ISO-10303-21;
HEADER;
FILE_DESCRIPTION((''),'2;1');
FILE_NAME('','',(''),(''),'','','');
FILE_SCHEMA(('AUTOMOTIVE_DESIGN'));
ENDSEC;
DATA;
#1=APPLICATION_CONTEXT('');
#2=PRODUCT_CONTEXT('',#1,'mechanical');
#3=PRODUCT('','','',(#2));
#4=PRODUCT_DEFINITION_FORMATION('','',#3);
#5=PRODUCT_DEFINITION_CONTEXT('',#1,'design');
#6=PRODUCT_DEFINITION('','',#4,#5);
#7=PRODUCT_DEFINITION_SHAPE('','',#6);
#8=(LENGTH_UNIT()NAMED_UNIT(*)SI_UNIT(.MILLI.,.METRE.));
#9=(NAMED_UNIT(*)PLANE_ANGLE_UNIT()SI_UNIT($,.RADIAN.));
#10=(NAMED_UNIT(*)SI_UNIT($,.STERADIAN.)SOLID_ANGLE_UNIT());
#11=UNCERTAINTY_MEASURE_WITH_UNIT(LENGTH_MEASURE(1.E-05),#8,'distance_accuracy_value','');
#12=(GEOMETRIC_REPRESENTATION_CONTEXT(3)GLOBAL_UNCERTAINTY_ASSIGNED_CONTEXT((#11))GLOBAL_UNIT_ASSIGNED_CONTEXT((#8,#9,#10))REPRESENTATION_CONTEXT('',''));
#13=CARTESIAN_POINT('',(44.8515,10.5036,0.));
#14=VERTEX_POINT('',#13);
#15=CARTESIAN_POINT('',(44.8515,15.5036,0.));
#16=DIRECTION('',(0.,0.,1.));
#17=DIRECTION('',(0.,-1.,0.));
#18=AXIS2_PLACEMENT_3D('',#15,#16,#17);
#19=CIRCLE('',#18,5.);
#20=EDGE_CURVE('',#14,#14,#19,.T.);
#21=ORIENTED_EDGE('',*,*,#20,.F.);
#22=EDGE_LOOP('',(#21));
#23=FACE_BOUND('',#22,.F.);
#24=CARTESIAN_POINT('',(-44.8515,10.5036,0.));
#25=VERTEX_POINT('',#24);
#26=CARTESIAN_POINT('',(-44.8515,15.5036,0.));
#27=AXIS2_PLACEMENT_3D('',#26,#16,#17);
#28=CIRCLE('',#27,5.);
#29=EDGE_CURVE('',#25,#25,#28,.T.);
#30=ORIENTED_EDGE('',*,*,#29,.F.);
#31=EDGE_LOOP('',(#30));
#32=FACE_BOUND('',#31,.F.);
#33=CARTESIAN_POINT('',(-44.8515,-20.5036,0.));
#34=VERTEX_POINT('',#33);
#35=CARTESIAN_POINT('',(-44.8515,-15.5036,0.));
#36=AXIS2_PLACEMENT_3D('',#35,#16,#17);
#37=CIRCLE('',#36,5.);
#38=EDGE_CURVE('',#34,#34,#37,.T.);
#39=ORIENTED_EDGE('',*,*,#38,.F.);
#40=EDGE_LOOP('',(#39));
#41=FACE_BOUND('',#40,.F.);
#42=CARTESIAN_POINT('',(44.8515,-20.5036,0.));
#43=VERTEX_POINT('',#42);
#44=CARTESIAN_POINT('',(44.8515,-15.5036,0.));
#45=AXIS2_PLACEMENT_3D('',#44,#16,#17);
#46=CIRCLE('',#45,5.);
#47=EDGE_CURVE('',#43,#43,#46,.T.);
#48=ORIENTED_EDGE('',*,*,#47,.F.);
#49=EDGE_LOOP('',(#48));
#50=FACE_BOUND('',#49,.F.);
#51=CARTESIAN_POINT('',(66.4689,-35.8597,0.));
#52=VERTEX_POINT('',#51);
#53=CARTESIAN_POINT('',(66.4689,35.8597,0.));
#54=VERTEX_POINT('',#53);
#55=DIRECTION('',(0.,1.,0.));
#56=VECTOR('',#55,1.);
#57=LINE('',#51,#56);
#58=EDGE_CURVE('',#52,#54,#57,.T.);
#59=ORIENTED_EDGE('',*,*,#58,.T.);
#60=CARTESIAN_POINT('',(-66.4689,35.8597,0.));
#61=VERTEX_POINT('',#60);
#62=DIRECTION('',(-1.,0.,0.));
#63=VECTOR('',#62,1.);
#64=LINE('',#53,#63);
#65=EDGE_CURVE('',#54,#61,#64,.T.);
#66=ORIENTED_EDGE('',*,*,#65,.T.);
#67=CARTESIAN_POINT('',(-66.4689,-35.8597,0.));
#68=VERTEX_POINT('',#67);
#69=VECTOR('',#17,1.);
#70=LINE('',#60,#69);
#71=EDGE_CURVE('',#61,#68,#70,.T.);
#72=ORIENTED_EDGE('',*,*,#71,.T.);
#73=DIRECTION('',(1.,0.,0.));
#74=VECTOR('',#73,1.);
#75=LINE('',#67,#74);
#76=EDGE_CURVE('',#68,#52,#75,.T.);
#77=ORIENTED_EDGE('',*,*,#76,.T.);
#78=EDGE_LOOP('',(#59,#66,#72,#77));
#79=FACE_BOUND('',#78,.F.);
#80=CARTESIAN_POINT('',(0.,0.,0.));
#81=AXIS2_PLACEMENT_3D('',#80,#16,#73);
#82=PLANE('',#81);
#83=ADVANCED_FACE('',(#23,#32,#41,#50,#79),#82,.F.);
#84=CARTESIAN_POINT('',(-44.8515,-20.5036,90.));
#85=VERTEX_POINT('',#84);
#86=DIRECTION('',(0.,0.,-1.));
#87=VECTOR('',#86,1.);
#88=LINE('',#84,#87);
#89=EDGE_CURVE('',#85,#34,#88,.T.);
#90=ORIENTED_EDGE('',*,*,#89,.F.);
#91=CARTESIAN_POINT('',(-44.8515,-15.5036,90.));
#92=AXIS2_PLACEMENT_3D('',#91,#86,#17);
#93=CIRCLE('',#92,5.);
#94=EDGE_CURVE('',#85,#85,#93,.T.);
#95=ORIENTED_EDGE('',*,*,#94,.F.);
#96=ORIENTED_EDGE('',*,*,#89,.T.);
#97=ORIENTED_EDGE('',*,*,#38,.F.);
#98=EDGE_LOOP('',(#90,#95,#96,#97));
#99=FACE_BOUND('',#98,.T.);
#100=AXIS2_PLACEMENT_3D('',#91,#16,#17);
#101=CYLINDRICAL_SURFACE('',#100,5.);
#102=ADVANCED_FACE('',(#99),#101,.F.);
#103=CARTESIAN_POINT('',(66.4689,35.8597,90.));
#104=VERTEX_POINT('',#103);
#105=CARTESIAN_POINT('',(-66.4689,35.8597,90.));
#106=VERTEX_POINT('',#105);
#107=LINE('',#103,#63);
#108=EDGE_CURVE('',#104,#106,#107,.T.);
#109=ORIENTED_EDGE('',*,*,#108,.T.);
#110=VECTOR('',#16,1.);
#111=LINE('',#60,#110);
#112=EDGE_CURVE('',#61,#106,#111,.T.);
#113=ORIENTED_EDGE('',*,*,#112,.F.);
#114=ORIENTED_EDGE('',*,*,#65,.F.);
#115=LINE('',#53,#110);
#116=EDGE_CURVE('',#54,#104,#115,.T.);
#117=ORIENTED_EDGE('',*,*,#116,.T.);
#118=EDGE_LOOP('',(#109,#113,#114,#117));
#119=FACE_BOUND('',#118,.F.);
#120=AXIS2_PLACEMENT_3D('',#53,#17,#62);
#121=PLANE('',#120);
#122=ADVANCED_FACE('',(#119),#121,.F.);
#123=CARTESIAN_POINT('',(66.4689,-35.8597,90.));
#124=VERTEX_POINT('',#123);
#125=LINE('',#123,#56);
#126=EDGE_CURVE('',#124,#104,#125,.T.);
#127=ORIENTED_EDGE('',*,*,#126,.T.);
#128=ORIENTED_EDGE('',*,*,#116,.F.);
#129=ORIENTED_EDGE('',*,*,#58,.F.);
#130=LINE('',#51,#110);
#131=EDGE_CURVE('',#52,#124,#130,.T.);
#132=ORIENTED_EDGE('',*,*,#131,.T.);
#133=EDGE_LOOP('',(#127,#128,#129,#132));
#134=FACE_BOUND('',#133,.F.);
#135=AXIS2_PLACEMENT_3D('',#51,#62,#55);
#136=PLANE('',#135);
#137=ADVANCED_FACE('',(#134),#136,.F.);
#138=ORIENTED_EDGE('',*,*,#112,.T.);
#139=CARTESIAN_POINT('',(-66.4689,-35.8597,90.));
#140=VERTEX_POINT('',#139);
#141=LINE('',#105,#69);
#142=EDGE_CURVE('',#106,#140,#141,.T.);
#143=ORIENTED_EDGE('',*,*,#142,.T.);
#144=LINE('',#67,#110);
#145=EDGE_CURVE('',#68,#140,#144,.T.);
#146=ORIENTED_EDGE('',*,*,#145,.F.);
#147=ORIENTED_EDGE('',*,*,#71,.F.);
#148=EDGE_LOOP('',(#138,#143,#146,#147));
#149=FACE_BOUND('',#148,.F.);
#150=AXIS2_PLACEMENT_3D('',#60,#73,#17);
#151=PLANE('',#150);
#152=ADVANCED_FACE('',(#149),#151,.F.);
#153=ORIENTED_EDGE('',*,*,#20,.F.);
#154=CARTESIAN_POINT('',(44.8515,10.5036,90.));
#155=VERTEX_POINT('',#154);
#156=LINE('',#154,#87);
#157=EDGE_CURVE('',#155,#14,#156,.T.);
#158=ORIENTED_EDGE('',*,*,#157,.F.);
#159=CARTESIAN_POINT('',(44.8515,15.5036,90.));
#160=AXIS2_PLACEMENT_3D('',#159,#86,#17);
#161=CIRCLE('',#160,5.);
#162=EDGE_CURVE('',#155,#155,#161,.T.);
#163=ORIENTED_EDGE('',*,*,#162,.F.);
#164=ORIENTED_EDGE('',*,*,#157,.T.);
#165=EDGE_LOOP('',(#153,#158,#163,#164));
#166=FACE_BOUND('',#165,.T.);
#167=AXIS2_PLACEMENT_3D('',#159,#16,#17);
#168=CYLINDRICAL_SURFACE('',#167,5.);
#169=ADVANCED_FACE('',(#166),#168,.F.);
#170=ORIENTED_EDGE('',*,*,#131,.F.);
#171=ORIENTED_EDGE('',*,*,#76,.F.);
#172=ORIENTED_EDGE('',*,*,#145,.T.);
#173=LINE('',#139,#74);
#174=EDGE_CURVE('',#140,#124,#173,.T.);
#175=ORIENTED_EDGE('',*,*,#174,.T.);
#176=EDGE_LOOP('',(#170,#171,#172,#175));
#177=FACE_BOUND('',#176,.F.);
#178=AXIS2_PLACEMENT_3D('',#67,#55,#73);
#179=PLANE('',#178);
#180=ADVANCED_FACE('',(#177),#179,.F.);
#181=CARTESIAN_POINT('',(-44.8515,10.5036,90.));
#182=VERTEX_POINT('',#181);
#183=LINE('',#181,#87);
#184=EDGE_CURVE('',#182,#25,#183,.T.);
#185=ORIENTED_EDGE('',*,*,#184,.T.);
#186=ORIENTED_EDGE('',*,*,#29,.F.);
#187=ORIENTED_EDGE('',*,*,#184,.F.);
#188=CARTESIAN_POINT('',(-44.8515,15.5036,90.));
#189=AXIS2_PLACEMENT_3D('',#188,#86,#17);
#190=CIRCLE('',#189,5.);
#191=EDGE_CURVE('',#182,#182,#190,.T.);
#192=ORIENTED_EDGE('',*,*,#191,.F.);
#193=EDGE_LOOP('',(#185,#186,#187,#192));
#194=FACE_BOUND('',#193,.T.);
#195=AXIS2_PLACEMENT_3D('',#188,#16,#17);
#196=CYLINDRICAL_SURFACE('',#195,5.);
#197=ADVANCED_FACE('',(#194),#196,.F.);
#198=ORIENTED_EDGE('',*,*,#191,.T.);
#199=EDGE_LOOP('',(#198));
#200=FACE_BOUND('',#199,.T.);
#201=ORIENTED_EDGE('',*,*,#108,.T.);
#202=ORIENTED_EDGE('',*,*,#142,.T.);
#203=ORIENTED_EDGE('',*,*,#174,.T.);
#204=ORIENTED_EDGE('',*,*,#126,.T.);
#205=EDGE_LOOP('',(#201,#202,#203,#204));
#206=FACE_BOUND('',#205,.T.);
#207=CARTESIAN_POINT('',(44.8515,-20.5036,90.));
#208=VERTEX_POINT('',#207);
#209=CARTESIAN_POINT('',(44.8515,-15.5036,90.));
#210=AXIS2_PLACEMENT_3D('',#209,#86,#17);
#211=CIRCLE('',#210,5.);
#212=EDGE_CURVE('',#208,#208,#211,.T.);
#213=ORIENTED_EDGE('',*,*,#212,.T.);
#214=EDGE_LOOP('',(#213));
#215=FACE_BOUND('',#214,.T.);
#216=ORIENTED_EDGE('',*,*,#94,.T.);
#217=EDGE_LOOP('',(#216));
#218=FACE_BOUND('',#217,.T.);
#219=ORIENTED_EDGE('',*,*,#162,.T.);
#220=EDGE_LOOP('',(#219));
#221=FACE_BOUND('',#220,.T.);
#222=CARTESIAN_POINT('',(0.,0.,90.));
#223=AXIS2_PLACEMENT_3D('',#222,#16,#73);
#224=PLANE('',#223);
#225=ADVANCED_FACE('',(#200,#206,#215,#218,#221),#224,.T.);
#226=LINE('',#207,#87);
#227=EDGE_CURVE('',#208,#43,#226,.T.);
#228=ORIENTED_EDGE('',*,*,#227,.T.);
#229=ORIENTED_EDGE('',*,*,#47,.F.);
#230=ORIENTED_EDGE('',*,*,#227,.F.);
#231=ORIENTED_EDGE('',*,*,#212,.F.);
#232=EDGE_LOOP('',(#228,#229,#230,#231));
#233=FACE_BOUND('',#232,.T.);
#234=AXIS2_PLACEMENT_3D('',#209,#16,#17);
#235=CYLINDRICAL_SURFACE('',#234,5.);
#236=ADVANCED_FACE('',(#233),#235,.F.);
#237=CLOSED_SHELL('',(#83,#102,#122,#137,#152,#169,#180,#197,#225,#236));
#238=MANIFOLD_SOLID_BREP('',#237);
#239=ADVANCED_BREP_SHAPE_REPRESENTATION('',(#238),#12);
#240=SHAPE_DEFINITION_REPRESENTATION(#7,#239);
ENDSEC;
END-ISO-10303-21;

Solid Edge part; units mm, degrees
sketch "Sketch1" plane through (0, 0, 0) normal (0, 0, 1) x (1, 0, 0)
  line L0 (66.4689, 35.8597) -> (-66.4689, 35.8597)
  line L1 (-66.4689, 35.8597) -> (-66.4689, -35.8597)
  line L2 (-66.4689, -35.8597) -> (66.4689, -35.8597)
  line L3 (66.4689, -35.8597) -> (66.4689, 35.8597)
extrude "Protrusion1" add sketch "Sketch1" along normal blind 90
hole "Hole_1" at (-44.8515, -15.5036, 90) direction (0, 0, -1) diameter 10 end up to next
hole "Hole1" at (44.8515, -15.5036, 90) direction (0, 0, -1) diameter 10 end up to next
hole "Hole2" at (44.8515, 15.5036, 90) direction (0, 0, -1) diameter 10 end up to next
hole "Hole3" at (-44.8515, 15.5036, 90) direction (0, 0, -1) diameter 10 end up to next
